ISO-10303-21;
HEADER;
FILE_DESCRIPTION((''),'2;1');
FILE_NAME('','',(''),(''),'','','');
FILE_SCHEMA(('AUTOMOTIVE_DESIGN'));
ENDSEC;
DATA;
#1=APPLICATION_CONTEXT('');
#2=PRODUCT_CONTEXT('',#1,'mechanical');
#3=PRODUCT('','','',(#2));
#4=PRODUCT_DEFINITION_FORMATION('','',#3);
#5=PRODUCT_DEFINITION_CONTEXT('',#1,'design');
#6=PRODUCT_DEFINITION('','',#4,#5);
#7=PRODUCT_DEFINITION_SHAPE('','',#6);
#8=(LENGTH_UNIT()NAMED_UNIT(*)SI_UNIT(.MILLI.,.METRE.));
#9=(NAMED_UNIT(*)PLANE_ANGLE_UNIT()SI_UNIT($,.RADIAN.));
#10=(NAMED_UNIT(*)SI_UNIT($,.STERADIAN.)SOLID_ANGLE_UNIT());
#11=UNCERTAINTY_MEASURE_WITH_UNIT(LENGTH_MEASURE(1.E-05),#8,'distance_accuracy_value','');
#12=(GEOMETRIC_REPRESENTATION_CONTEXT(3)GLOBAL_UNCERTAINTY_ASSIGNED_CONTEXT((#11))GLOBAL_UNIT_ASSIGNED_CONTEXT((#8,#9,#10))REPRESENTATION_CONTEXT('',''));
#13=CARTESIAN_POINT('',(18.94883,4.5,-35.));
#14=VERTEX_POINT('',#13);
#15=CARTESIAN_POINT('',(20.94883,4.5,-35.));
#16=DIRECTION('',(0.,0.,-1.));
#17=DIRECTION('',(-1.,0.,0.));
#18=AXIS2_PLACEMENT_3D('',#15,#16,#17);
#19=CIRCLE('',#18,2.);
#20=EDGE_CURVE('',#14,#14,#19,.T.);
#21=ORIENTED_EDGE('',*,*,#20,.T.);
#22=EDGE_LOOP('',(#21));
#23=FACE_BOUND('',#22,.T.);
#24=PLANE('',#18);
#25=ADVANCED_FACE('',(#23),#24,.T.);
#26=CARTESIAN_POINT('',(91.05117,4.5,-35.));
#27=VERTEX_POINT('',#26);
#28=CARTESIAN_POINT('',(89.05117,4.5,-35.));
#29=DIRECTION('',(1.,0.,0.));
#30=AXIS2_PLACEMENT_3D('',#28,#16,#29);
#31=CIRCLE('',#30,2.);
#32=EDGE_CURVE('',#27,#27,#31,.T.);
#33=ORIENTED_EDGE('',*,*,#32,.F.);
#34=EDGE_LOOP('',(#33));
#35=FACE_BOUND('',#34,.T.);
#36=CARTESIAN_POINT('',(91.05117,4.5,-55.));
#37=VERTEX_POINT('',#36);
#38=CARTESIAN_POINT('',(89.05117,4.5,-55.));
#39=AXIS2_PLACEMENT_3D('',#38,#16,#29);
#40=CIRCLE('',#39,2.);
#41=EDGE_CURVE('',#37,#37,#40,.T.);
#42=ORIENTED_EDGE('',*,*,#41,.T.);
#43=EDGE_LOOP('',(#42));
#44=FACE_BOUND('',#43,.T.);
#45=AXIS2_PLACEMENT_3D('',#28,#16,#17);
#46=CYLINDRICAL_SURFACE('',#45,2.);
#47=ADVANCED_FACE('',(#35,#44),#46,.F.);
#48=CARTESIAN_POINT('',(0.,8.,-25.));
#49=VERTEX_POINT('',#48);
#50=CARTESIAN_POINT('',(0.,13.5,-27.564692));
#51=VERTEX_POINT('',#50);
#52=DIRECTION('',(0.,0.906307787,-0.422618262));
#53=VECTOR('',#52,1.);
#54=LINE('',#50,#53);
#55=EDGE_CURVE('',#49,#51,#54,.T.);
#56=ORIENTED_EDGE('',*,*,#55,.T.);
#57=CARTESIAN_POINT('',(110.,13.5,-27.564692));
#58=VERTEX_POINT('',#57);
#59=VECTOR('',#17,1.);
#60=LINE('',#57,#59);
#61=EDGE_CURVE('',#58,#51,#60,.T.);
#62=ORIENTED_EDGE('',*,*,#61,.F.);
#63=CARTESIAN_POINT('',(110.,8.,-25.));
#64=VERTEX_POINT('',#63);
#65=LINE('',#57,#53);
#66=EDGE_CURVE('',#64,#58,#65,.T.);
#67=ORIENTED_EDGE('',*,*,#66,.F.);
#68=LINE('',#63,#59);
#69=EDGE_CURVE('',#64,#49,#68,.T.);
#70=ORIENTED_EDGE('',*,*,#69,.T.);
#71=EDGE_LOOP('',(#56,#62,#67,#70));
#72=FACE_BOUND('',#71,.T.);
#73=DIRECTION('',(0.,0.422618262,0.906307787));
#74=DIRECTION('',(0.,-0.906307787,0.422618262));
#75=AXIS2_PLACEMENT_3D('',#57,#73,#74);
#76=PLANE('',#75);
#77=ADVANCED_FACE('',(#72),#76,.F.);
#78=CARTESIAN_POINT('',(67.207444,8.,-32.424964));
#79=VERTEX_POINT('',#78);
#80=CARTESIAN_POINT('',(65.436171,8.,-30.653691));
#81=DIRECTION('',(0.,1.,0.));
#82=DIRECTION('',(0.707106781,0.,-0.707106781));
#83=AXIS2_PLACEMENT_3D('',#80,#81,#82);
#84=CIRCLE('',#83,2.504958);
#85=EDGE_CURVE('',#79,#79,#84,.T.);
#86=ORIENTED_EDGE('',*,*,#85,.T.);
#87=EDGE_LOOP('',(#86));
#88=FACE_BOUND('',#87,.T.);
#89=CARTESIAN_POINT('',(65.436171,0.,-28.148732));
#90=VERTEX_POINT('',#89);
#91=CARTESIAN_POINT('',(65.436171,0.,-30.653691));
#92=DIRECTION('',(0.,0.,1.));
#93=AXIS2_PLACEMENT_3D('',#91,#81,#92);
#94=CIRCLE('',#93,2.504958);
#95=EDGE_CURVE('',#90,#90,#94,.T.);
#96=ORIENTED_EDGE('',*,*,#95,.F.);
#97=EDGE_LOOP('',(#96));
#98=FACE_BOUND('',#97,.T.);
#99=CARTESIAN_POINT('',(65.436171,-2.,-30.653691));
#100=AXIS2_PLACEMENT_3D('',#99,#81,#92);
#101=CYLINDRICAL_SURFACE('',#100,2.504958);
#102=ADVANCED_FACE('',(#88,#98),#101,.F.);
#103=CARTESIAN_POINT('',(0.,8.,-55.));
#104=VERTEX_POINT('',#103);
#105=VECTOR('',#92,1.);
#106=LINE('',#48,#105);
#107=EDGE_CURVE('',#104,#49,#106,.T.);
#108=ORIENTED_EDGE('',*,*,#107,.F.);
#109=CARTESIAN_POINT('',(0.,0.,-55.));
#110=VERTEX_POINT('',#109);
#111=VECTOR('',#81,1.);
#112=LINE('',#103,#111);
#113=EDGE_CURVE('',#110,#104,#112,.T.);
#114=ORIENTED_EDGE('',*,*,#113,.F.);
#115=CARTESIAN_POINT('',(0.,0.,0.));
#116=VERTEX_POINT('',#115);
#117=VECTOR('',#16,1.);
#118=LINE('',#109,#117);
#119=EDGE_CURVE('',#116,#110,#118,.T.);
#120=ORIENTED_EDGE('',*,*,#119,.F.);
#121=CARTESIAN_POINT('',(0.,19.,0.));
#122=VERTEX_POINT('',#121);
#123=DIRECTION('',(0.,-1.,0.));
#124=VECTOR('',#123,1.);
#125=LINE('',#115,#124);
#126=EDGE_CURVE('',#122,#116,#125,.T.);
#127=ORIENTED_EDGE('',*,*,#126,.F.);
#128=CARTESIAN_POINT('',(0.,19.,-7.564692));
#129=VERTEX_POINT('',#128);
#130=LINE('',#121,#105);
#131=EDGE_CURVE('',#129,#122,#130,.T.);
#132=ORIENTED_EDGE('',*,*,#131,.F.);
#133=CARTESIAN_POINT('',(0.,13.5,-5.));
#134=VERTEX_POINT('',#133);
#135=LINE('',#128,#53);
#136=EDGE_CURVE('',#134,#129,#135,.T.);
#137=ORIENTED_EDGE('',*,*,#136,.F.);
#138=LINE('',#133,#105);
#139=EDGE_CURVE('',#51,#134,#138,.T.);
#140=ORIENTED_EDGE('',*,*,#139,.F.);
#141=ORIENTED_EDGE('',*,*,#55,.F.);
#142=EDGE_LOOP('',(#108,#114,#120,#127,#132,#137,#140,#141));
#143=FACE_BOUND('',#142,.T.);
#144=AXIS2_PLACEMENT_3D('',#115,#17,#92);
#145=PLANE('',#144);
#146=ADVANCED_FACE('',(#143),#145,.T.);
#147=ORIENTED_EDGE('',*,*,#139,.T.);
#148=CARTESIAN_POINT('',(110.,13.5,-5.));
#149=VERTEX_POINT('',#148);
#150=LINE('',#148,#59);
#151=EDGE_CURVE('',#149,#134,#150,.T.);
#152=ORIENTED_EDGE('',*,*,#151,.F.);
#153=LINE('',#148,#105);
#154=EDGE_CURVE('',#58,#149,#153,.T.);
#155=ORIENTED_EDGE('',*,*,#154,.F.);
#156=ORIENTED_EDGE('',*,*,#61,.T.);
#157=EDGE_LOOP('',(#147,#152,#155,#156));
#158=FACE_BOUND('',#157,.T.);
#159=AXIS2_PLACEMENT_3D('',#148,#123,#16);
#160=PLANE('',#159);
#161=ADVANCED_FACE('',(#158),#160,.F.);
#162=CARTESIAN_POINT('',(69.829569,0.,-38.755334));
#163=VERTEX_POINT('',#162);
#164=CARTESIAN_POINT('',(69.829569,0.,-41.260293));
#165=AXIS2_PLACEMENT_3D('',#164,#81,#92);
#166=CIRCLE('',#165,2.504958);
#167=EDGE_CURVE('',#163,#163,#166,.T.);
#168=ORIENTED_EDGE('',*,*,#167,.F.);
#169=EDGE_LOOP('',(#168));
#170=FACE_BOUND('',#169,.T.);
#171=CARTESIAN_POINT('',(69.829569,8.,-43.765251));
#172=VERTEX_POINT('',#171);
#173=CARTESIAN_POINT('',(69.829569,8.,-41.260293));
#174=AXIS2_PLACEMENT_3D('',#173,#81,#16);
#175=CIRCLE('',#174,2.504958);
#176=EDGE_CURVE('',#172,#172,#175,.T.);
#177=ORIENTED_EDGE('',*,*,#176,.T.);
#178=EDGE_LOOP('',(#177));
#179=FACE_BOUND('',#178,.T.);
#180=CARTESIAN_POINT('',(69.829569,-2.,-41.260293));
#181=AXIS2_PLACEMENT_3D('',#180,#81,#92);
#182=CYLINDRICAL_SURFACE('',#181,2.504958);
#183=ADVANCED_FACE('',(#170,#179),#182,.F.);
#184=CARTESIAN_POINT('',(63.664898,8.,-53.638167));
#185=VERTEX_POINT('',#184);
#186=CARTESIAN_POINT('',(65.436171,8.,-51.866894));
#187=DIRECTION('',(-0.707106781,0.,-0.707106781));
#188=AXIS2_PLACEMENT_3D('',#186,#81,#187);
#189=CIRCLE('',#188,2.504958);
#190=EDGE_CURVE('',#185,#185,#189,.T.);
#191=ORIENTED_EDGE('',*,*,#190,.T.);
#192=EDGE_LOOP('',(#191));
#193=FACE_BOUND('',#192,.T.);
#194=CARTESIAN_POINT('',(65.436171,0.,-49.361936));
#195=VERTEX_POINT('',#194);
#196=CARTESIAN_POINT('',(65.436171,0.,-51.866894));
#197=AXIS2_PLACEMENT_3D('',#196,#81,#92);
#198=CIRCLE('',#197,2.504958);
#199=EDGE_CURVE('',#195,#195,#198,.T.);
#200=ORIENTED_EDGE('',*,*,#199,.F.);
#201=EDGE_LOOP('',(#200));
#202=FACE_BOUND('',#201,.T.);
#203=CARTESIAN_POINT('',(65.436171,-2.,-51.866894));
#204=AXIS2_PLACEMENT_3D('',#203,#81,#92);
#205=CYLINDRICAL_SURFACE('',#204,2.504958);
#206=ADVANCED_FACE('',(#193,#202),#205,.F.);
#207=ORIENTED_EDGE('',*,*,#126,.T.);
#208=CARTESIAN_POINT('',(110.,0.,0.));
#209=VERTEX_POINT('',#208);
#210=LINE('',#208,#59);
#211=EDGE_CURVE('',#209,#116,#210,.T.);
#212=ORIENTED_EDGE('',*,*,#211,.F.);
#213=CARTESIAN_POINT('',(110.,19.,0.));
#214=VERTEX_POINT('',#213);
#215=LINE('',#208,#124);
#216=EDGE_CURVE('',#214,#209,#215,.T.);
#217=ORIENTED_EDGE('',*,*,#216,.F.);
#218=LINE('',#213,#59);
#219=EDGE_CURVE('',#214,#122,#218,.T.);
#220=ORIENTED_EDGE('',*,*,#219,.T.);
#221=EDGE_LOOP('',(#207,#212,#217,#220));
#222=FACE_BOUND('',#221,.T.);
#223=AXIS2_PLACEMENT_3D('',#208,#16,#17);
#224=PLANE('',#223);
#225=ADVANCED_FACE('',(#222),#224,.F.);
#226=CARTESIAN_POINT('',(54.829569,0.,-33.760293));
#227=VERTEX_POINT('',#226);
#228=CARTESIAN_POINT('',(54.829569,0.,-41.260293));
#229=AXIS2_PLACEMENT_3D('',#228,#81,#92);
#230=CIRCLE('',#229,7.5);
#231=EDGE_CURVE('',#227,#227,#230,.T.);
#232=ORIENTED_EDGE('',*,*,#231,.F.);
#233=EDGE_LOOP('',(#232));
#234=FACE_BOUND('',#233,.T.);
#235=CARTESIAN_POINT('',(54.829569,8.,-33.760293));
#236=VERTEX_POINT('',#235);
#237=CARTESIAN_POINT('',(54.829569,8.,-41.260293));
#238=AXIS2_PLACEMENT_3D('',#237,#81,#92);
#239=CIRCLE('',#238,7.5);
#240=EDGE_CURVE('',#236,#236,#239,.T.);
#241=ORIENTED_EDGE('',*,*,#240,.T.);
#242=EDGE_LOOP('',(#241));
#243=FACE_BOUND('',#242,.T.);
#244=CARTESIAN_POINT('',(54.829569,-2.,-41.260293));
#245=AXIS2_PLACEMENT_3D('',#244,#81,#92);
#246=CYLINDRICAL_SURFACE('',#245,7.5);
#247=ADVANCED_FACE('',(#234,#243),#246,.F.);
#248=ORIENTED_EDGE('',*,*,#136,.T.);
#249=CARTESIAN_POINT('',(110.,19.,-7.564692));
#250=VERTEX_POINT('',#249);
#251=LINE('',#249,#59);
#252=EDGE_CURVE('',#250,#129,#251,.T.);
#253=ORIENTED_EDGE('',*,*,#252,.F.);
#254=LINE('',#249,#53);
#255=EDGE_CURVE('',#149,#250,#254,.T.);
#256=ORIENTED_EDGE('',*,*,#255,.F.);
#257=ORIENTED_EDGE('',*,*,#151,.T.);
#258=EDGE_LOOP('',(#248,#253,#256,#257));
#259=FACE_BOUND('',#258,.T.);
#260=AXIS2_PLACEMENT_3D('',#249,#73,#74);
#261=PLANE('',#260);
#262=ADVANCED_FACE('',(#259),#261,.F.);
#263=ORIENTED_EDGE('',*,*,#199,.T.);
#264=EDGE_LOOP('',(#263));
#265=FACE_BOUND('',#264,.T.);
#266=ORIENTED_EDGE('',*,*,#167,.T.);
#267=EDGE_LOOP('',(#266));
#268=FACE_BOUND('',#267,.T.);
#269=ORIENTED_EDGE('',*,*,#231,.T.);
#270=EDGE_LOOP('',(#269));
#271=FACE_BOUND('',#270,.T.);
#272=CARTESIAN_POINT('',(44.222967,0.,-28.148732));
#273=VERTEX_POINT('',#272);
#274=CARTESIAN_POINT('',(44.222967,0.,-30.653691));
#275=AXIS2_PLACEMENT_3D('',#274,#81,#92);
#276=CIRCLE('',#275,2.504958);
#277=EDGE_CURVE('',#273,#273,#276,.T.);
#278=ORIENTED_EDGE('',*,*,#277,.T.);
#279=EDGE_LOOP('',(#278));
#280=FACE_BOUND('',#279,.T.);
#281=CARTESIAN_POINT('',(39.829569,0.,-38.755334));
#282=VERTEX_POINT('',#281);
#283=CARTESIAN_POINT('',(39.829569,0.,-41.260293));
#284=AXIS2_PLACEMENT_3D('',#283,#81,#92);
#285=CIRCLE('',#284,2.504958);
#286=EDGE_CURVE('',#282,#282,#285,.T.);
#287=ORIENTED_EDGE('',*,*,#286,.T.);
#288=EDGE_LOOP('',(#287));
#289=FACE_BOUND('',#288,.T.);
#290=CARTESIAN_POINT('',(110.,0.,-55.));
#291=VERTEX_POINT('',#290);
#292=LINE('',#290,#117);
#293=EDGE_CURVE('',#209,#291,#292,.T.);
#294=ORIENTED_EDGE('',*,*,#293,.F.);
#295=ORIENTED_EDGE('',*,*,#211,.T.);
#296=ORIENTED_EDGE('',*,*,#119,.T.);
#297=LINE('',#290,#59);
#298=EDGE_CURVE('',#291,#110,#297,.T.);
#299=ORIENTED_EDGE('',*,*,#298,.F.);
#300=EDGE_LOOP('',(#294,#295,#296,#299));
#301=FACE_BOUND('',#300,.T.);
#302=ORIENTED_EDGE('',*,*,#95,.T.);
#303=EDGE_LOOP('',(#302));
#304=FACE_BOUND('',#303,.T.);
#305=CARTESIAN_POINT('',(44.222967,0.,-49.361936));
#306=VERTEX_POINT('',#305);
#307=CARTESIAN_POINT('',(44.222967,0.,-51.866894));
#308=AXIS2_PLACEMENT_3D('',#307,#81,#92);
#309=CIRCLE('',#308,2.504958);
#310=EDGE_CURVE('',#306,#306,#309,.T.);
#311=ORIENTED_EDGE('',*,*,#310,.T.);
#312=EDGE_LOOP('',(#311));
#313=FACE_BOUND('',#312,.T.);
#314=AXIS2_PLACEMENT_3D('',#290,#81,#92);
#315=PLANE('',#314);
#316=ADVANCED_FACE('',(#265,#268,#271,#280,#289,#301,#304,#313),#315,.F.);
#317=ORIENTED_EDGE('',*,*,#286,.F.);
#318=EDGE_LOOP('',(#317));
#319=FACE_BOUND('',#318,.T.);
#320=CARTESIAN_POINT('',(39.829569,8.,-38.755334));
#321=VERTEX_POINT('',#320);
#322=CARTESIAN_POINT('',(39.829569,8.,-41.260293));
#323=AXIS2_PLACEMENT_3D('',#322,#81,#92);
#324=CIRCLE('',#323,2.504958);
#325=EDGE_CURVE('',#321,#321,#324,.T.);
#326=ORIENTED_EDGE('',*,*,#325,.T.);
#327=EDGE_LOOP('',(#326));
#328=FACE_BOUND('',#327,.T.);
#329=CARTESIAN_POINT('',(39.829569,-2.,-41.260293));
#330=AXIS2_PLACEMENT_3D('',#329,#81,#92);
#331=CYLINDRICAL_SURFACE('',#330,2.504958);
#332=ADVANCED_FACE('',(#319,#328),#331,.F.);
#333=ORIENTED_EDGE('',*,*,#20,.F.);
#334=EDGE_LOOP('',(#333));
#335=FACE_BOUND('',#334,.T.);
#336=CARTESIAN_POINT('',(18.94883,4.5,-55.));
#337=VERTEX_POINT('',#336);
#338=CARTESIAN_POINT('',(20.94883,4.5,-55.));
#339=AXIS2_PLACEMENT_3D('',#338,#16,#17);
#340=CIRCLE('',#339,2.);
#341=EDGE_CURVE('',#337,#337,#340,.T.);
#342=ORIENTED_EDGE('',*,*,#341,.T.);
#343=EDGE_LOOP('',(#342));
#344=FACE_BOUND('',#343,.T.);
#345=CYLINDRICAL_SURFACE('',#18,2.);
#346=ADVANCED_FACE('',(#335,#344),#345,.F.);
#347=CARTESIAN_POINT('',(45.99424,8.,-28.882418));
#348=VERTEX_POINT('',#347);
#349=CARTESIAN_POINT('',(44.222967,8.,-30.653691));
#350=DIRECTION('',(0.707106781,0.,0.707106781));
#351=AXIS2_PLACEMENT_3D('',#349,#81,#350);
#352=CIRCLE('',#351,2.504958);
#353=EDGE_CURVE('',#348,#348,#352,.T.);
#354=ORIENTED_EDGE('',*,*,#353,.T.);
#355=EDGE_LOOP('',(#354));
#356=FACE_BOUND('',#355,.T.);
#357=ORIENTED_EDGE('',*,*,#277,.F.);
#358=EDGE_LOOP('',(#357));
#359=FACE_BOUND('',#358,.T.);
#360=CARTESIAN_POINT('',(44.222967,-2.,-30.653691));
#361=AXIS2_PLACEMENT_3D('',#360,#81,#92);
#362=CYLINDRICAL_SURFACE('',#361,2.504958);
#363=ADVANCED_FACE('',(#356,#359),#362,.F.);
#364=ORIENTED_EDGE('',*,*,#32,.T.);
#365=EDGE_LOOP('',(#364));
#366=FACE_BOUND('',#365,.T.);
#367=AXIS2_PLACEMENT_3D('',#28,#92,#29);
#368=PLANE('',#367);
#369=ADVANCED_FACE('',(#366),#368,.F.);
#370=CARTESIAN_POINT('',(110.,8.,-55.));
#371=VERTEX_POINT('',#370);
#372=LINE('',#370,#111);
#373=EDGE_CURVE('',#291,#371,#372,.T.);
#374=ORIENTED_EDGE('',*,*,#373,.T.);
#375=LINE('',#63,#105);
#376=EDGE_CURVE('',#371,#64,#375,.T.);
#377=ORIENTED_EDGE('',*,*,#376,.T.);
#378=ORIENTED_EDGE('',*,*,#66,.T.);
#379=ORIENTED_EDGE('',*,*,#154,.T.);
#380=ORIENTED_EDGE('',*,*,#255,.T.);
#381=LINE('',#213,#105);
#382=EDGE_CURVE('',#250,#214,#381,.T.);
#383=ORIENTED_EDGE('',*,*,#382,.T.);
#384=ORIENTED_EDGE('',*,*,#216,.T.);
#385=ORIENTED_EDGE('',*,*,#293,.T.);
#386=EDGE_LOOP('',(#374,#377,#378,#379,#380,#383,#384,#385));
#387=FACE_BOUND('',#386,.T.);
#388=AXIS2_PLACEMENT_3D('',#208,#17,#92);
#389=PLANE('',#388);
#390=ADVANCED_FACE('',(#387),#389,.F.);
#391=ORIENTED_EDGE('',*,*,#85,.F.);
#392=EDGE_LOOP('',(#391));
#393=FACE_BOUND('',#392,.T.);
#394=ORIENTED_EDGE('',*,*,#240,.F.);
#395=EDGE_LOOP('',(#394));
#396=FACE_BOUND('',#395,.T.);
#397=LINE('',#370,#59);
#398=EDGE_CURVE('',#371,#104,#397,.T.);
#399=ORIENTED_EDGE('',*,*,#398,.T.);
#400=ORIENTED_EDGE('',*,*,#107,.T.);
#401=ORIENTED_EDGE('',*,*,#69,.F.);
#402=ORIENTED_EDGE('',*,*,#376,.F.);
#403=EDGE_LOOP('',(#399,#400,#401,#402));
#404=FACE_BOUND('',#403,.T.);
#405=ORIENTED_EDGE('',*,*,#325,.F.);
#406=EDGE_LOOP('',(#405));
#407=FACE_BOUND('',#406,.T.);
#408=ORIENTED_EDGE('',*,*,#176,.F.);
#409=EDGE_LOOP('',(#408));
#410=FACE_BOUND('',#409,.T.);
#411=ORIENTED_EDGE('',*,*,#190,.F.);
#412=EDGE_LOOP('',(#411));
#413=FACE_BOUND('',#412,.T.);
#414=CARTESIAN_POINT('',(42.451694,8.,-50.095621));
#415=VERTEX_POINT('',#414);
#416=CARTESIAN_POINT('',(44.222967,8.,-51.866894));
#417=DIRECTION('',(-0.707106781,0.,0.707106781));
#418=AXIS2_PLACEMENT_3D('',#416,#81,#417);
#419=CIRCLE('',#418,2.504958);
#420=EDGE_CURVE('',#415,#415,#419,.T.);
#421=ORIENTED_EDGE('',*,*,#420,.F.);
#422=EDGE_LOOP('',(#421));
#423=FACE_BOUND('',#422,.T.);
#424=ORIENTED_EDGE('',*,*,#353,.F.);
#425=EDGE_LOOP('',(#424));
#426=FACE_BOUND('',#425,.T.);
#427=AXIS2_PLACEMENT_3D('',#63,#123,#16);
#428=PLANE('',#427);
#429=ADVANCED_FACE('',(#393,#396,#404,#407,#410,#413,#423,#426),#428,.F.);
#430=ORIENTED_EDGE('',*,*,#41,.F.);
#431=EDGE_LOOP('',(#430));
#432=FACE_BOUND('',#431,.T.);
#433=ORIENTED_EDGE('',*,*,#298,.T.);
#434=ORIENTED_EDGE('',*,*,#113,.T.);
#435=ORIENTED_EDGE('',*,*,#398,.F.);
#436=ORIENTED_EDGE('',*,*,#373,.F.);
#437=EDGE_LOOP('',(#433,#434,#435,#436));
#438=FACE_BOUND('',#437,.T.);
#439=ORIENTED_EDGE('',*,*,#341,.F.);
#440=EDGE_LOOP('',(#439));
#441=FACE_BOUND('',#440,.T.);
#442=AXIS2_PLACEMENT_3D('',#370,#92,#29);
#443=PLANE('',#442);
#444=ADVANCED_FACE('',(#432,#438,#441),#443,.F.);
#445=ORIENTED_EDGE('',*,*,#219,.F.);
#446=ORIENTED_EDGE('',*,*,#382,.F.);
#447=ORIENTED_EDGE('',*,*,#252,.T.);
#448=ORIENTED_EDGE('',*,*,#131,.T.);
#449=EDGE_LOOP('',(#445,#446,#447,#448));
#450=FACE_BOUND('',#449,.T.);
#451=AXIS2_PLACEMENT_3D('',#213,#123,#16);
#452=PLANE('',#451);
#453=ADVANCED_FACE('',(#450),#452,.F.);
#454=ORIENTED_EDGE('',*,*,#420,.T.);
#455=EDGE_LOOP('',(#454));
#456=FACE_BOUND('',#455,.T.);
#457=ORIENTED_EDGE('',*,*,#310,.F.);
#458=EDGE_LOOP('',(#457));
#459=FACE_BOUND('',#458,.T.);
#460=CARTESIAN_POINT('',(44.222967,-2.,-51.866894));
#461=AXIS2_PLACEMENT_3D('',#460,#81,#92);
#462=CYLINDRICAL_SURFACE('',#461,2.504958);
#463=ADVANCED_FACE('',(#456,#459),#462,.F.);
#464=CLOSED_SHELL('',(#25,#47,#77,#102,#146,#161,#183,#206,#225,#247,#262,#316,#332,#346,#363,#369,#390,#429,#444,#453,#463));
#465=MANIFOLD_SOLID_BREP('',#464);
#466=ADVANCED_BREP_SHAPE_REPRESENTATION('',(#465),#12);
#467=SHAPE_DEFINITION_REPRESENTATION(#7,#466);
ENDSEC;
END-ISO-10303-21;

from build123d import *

# Parameters (mm, degrees)
BOSS_EXTRUDE1_DEPTH = 110
SKETCH2_R           = 2
M_DRILL_DEPTH       = 20
SKETCH6_R           = 7.5
CUT_EXTRUDE2_DEPTH  = 10
SKETCH8_R           = 2.504958384
CUT_EXTRUDE3_DEPTH  = 10
CIRPATTERN1_COUNT   = 8


with BuildPart() as part:
    # Sketch1 → Boss-Extrude1 (new body)
    with BuildSketch(Plane(origin=(0, 0, 0), x_dir=(0, 0, -1), z_dir=(1, 0, 0))):
        Polygon((0, 0), (0, 19), (7.56469212, 19), (5, 13.5), (27.56469212, 13.5), (25, 8), (55, 8), (55, 0), align=None)
    extrude(amount=BOSS_EXTRUDE1_DEPTH)

    # Sketch2 → M$_DRILL (cut)
    with BuildSketch(Plane(origin=(0, 0, -55), x_dir=(-1, 0, 0), z_dir=(0, 0, -1))):
        with Locations((-20.948830341, 4.5)):
            Circle(SKETCH2_R)
        with Locations(Location((-89.051169659, 4.5, 0), (0, 0, 180))):
            Circle(SKETCH2_R)
    extrude(amount=-M_DRILL_DEPTH, mode=Mode.SUBTRACT)

    # Sketch6 → Cut-Extrude2 (cut)
    with BuildSketch(Plane(origin=(0, 8, 0), x_dir=(1, 0, 0), z_dir=(0, 1, 0))):
        with Locations(Location((54.829568948, 41.26029258, 0), (0, 0, 270))):
            Circle(SKETCH6_R)
    extrude(amount=-CUT_EXTRUDE2_DEPTH, mode=Mode.SUBTRACT)

    # Sketch8 → Cut-Extrude3 (cut)
    with BuildSketch(Plane(origin=(0, 8, 0), x_dir=(1, 0, 0), z_dir=(0, 1, 0))):
        with Locations(Location((39.829568948, 41.26029258, 0), (0, 0, 270))):
            Circle(SKETCH8_R)
    cut_extrude3 = extrude(amount=-CUT_EXTRUDE3_DEPTH, mode=Mode.SUBTRACT)

    # CirPattern1: Cut-Extrude3 ×8 about axis, 2 skipped
    cirpattern1_axis = Axis((54.829568948, 0, -41.26029258), (0, 1, 0))
    add([cut_extrude3.rotate(cirpattern1_axis, i * 360 / CIRPATTERN1_COUNT) for i in range(1, CIRPATTERN1_COUNT) if i not in (2, 6)], mode=Mode.SUBTRACT)


solid = part.part
